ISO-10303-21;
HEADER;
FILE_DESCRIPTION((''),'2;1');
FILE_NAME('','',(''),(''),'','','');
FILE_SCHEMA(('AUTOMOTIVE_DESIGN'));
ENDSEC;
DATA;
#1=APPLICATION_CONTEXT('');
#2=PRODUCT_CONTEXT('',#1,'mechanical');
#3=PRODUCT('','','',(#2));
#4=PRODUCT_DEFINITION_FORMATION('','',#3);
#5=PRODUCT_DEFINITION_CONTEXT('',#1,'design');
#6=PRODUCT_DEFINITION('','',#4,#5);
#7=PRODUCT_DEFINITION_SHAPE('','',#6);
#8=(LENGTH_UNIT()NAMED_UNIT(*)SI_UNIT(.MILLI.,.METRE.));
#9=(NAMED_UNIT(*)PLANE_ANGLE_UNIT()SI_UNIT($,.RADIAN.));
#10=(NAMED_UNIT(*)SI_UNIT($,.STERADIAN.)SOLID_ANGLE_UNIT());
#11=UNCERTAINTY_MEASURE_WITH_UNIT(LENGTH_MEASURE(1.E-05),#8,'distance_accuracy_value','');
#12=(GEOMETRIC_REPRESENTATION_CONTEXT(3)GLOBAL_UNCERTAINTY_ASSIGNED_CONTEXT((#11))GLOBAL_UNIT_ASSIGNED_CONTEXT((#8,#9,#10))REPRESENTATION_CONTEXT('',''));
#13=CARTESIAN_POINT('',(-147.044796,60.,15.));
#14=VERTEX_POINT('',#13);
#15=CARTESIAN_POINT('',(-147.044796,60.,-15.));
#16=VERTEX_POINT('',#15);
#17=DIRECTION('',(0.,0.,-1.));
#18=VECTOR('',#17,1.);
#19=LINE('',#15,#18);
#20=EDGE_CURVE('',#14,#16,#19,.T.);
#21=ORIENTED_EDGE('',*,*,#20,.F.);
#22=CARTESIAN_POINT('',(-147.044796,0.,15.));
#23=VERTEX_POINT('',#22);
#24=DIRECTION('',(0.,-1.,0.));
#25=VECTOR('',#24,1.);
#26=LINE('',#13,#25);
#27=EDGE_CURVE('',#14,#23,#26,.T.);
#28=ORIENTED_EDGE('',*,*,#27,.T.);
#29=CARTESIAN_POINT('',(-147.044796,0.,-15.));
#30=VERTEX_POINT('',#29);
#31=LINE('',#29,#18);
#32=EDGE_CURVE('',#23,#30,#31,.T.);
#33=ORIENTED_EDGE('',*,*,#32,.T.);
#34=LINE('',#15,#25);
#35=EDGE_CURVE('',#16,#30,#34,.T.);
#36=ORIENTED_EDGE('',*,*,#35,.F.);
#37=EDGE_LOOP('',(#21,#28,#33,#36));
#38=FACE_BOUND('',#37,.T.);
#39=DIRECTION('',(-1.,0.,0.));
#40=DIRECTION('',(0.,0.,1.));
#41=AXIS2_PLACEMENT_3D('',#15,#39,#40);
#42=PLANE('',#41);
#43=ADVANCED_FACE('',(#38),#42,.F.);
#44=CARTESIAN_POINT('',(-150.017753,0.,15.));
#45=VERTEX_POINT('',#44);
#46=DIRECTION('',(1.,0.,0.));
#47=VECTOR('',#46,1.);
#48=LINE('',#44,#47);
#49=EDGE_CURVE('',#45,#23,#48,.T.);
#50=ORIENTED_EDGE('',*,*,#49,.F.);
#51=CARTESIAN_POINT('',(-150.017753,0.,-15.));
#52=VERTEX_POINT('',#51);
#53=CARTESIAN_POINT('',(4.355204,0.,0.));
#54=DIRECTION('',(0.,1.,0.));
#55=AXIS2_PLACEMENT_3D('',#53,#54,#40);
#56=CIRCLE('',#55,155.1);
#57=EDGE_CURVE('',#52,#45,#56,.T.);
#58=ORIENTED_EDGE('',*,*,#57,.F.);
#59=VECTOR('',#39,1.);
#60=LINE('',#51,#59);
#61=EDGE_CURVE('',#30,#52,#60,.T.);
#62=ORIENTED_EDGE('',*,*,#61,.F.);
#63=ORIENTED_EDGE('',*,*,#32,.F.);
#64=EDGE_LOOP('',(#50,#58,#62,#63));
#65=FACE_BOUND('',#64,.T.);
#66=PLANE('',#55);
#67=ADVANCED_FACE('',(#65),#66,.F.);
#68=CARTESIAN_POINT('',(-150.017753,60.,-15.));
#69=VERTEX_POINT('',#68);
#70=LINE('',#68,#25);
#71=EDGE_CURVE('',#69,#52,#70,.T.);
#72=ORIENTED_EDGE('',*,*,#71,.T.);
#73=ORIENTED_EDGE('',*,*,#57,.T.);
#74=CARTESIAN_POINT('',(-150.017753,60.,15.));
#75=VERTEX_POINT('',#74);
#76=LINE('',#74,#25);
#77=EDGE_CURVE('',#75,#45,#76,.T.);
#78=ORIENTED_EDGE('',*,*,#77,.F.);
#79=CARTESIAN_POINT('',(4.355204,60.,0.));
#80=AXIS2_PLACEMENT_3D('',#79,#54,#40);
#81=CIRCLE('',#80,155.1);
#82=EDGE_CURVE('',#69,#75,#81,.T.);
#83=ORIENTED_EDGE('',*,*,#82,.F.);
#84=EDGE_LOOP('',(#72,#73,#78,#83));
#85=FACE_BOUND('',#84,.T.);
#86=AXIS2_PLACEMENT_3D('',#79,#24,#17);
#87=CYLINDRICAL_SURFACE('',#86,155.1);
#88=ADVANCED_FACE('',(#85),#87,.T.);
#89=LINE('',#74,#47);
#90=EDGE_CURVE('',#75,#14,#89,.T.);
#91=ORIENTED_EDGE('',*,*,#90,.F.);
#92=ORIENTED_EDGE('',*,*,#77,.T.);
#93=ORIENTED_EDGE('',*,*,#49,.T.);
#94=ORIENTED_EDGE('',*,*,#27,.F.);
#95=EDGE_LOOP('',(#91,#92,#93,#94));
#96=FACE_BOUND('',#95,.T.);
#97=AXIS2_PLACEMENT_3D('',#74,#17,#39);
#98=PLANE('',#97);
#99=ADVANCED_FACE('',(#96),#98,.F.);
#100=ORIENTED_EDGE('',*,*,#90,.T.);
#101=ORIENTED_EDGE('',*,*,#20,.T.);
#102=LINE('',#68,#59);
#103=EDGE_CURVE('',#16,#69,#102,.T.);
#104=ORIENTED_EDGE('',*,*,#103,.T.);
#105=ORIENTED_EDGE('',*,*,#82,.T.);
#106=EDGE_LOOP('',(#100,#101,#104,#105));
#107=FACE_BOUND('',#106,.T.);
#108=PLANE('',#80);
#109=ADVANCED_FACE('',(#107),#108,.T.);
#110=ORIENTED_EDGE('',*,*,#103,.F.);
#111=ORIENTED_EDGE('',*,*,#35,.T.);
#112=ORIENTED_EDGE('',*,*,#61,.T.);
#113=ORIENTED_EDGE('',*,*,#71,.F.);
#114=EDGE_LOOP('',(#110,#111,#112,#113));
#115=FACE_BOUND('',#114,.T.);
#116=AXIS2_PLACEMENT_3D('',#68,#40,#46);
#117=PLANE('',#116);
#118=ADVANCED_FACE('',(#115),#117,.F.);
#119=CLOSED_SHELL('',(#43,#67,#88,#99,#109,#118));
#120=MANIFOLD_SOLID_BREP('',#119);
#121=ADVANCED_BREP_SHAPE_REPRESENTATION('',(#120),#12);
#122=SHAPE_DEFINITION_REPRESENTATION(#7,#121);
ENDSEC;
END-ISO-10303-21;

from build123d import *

# Parameters (mm, degrees)
EXTRUDE_1_DEPTH = 60


with BuildPart() as part:
    # 草图1 → 凸台-拉伸1 (new body)
    with BuildSketch(Plane(origin=(0, 0, 0), x_dir=(1, 0, 0), z_dir=(0, 1, 0))):
        with BuildLine():
            Line((-150.017753142, 15), (-147.044795665, 15))
            Line((-147.044795665, 15), (-147.044795665, -15))
            Line((-147.044795665, -15), (-150.017753142, -15))
            ThreePointArc((-150.017753142, -15), (-150.744795665, 0), (-150.017753142, 15))
        make_face()
    extrude(amount=EXTRUDE_1_DEPTH)


solid = part.part
